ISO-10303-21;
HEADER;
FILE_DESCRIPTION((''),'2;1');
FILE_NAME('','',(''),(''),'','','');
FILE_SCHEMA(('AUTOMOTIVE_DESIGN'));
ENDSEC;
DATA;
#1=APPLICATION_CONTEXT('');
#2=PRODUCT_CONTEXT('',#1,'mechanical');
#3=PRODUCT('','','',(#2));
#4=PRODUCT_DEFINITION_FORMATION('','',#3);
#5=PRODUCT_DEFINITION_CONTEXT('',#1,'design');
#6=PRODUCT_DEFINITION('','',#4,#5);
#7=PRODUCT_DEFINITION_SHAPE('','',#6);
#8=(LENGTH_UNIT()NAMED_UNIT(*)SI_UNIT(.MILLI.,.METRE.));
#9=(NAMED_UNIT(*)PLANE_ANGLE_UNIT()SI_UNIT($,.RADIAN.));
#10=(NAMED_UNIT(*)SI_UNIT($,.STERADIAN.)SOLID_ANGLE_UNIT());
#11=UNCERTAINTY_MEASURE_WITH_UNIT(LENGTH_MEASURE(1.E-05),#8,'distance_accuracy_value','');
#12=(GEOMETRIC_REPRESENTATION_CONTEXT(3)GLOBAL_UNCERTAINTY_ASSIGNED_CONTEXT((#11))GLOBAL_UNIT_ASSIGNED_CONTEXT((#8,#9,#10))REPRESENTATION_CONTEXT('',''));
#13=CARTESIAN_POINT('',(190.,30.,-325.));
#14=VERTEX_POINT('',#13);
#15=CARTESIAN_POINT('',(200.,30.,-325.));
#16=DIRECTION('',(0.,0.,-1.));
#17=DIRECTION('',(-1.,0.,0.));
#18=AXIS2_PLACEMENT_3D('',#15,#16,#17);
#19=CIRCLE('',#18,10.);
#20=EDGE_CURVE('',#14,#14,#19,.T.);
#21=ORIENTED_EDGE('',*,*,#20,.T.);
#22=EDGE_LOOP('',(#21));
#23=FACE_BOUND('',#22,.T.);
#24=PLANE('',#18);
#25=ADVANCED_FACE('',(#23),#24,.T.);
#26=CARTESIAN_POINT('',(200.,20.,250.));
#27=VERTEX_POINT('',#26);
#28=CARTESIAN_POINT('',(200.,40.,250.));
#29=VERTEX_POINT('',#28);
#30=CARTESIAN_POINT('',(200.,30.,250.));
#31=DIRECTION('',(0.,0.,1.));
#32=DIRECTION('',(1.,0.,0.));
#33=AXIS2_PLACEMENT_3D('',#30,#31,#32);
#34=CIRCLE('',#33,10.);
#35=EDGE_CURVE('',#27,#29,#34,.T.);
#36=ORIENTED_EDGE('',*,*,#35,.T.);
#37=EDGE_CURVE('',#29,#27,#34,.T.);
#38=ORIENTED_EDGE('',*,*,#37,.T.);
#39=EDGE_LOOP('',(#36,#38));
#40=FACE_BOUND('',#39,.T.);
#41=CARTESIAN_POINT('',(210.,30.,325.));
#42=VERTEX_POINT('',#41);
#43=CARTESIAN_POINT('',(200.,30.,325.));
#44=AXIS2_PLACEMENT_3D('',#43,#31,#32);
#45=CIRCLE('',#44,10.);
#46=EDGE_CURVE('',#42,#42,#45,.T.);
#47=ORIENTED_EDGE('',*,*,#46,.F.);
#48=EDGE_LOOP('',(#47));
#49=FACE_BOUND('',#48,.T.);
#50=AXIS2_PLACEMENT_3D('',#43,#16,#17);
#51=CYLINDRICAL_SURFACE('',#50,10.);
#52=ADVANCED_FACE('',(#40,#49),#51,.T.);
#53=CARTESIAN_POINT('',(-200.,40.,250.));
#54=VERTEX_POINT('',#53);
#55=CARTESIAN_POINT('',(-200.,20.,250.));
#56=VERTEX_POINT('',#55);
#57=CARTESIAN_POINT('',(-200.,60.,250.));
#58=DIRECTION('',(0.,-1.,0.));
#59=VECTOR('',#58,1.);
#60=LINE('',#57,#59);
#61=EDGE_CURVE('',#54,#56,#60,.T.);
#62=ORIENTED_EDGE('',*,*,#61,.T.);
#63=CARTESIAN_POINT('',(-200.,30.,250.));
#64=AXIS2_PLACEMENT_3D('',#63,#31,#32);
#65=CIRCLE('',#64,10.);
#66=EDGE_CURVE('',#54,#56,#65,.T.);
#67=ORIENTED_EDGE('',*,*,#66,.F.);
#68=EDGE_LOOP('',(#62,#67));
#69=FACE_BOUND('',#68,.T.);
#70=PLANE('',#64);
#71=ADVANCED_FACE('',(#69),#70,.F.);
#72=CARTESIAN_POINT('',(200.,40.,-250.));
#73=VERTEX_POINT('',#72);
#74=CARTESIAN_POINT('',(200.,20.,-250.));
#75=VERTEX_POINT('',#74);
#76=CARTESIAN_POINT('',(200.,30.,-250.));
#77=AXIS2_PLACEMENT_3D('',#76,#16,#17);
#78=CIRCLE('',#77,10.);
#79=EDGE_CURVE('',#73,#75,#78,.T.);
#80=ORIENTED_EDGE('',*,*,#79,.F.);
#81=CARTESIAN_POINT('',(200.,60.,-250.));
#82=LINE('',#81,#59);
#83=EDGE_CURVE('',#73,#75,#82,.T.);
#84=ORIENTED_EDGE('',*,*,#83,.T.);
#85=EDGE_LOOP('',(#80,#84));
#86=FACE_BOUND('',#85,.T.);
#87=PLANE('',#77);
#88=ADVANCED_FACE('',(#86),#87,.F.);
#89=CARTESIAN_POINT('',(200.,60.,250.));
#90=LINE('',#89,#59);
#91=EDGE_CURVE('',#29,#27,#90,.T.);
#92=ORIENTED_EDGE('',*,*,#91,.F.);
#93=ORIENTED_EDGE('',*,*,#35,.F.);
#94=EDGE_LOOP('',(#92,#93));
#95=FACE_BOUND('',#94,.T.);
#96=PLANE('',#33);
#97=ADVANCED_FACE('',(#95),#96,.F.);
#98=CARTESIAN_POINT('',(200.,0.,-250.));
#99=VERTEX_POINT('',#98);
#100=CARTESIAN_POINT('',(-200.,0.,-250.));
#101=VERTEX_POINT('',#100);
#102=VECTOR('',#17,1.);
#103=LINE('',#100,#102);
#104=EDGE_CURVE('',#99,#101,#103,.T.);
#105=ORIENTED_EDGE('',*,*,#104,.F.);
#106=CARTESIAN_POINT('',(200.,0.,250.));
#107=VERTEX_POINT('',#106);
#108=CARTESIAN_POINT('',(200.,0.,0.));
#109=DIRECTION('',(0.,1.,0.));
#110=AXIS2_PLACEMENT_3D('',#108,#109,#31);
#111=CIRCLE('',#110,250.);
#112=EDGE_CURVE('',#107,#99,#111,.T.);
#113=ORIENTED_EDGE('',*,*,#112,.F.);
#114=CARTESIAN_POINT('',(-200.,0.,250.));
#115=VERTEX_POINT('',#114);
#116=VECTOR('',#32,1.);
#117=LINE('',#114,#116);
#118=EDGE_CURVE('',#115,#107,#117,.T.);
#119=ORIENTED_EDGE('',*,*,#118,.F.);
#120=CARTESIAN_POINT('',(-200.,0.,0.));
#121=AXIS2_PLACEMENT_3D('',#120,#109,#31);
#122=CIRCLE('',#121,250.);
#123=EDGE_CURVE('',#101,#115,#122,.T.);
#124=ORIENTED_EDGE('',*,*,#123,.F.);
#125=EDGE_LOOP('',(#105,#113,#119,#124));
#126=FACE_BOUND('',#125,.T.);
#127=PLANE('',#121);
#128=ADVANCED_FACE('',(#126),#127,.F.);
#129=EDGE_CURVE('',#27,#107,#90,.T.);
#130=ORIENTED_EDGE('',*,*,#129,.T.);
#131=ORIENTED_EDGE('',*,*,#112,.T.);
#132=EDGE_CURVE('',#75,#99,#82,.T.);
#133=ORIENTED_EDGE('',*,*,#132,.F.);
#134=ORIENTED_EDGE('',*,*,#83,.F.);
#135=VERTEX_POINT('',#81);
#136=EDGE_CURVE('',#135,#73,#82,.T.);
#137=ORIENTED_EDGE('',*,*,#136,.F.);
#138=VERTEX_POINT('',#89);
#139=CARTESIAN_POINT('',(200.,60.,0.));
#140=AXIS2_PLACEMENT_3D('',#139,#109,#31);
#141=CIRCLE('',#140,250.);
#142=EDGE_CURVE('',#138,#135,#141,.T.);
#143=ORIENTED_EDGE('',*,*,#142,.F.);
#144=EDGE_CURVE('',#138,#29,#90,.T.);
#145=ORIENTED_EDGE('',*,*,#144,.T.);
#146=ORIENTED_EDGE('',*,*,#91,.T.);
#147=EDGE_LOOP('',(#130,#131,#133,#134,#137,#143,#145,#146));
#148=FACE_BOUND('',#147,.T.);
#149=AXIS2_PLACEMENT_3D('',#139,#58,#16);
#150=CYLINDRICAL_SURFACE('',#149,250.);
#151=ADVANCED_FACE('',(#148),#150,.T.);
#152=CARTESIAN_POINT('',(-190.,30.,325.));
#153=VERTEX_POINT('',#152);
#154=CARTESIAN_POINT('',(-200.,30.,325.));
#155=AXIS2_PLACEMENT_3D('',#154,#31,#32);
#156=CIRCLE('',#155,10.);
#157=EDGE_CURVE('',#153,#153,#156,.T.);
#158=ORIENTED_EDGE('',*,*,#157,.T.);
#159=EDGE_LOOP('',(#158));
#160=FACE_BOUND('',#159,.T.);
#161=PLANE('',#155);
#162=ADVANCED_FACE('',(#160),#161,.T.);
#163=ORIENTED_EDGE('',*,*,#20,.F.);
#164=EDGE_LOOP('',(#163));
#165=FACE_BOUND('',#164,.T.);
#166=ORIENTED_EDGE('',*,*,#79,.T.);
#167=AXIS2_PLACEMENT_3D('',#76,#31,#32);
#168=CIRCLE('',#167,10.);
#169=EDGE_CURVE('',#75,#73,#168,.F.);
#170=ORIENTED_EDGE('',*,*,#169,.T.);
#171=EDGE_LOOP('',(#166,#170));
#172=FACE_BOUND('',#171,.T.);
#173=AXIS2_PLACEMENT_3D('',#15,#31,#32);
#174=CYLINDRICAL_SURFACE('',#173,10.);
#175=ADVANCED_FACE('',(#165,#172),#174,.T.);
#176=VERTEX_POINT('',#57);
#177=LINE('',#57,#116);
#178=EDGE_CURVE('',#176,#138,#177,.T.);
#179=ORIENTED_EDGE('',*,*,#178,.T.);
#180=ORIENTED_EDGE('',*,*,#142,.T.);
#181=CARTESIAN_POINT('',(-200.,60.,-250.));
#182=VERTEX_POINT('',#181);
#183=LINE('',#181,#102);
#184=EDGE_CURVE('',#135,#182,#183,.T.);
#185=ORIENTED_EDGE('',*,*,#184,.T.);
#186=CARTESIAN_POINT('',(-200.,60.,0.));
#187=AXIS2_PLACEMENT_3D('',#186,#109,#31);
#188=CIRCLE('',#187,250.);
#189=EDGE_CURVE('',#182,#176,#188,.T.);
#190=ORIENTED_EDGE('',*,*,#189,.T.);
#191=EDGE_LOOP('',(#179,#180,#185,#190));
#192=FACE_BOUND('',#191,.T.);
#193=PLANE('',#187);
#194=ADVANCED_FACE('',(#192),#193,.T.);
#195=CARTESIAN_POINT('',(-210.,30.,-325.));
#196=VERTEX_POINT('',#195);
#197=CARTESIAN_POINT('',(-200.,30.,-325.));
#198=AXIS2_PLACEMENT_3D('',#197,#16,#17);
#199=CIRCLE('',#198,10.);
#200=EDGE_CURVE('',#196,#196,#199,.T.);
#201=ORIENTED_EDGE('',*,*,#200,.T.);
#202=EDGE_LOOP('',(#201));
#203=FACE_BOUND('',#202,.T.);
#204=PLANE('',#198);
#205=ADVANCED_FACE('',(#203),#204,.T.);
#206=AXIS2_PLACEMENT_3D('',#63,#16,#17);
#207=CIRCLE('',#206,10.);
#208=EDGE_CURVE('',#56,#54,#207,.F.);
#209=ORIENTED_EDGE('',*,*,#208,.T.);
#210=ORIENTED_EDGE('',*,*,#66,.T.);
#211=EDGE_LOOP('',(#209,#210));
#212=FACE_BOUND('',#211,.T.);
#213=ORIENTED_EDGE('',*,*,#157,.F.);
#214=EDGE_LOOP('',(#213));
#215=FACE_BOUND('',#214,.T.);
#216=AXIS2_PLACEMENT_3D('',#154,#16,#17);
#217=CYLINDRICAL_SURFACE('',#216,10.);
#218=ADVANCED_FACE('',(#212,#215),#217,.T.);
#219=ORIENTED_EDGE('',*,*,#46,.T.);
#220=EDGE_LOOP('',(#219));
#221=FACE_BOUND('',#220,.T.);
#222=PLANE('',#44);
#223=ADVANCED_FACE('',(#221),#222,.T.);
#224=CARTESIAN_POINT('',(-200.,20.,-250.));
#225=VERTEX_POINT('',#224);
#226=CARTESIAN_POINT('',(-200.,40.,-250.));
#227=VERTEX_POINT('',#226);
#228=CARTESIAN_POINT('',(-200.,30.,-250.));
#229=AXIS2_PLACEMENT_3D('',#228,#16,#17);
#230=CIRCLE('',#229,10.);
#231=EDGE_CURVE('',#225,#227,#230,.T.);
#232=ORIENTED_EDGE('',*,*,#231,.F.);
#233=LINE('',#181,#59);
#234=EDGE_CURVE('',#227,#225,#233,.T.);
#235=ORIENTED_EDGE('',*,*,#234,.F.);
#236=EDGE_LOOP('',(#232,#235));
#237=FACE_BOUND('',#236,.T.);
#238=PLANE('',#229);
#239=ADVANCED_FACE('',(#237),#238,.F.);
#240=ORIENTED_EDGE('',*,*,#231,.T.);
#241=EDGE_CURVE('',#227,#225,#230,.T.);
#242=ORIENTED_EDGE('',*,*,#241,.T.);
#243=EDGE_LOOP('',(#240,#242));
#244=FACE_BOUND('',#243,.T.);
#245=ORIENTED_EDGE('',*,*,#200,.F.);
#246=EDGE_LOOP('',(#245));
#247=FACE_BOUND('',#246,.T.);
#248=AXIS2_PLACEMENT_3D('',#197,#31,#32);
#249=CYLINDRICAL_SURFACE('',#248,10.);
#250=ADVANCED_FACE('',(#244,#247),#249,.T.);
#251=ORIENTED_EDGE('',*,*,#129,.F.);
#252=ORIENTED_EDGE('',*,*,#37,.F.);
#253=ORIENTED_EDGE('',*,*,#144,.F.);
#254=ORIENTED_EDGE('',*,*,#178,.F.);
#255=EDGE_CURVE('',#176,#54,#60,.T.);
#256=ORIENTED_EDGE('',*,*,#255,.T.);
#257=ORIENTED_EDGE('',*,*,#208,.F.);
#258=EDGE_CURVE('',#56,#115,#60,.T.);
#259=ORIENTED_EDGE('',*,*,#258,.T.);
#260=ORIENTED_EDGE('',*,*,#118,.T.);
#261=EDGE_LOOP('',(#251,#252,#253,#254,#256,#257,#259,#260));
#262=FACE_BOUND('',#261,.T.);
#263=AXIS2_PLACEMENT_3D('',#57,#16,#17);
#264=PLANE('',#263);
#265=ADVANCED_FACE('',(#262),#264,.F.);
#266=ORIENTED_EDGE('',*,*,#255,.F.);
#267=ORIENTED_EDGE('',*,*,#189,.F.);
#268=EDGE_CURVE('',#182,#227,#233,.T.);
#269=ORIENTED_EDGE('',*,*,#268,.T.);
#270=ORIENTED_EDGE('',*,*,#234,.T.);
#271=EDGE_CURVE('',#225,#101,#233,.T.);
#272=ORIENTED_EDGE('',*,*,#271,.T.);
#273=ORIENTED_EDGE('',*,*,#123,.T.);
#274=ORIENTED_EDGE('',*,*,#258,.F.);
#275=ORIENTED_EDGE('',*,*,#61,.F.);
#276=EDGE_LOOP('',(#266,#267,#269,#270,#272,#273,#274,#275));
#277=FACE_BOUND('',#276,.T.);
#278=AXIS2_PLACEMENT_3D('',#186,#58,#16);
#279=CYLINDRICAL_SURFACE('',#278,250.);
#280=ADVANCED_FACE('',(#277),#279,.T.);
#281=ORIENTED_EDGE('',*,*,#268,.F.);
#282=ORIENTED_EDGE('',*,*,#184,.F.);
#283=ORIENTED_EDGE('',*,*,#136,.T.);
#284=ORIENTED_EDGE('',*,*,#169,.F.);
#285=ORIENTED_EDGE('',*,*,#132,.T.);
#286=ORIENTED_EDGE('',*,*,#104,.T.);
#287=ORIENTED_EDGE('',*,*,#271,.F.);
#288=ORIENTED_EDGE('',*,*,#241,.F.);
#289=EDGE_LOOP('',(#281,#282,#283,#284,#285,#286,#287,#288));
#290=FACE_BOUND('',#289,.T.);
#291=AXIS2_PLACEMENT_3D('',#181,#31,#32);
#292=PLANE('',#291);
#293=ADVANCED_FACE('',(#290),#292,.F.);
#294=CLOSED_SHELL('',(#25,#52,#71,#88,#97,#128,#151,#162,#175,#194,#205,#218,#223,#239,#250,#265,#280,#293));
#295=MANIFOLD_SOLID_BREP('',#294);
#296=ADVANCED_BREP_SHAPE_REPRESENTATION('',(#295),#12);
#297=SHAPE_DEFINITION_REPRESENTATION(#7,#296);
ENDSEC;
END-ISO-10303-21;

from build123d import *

# Parameters (mm, degrees)
BOSS_EXTRUDE2_DEPTH = 60
SKETCH4_R           = 10
BOSS_EXTRUDE3_DEPTH = 75
BOSS_EXTRUDE4_START = 75
SKETCH5_R           = 10
BOSS_EXTRUDE4_DEPTH = 75


with BuildPart() as part:
    # Sketch3 → Boss-Extrude2 (new body)
    with BuildSketch(Plane(origin=(0, 0, 0), x_dir=(1, 0, 0), z_dir=(0, 1, 0))):
        with BuildLine():
            Line((-200, 250), (200, 250))
            ThreePointArc((200, 250), (450, 0), (200, -250))
            Line((200, -250), (-200, -250))
            ThreePointArc((-200, -250), (-450, 0), (-200, 250))
        make_face()
    extrude(amount=BOSS_EXTRUDE2_DEPTH)

    # Sketch4 → Boss-Extrude3 (add)
    with BuildSketch(Plane.XY.offset(250)):
        with Locations(Location((-200, 30, 0), (0, 0, 270))):
            Circle(SKETCH4_R)
        with Locations(Location((200, 30, 0), (0, 0, 270))):
            Circle(SKETCH4_R)
    extrude(amount=BOSS_EXTRUDE3_DEPTH)

    # Sketch5 → Boss-Extrude4 (add)
    with BuildSketch(Plane(origin=(0, 0, -250), x_dir=(-1, 0, 0), z_dir=(0, 0, -1)).offset(BOSS_EXTRUDE4_START)):
        with Locations(Location((-200, 30, 0), (0, 0, 270))):
            Circle(SKETCH5_R)
        with Locations(Location((200, 30, 0), (0, 0, 270))):
            Circle(SKETCH5_R)
    extrude(amount=-BOSS_EXTRUDE4_DEPTH)


solid = part.part
